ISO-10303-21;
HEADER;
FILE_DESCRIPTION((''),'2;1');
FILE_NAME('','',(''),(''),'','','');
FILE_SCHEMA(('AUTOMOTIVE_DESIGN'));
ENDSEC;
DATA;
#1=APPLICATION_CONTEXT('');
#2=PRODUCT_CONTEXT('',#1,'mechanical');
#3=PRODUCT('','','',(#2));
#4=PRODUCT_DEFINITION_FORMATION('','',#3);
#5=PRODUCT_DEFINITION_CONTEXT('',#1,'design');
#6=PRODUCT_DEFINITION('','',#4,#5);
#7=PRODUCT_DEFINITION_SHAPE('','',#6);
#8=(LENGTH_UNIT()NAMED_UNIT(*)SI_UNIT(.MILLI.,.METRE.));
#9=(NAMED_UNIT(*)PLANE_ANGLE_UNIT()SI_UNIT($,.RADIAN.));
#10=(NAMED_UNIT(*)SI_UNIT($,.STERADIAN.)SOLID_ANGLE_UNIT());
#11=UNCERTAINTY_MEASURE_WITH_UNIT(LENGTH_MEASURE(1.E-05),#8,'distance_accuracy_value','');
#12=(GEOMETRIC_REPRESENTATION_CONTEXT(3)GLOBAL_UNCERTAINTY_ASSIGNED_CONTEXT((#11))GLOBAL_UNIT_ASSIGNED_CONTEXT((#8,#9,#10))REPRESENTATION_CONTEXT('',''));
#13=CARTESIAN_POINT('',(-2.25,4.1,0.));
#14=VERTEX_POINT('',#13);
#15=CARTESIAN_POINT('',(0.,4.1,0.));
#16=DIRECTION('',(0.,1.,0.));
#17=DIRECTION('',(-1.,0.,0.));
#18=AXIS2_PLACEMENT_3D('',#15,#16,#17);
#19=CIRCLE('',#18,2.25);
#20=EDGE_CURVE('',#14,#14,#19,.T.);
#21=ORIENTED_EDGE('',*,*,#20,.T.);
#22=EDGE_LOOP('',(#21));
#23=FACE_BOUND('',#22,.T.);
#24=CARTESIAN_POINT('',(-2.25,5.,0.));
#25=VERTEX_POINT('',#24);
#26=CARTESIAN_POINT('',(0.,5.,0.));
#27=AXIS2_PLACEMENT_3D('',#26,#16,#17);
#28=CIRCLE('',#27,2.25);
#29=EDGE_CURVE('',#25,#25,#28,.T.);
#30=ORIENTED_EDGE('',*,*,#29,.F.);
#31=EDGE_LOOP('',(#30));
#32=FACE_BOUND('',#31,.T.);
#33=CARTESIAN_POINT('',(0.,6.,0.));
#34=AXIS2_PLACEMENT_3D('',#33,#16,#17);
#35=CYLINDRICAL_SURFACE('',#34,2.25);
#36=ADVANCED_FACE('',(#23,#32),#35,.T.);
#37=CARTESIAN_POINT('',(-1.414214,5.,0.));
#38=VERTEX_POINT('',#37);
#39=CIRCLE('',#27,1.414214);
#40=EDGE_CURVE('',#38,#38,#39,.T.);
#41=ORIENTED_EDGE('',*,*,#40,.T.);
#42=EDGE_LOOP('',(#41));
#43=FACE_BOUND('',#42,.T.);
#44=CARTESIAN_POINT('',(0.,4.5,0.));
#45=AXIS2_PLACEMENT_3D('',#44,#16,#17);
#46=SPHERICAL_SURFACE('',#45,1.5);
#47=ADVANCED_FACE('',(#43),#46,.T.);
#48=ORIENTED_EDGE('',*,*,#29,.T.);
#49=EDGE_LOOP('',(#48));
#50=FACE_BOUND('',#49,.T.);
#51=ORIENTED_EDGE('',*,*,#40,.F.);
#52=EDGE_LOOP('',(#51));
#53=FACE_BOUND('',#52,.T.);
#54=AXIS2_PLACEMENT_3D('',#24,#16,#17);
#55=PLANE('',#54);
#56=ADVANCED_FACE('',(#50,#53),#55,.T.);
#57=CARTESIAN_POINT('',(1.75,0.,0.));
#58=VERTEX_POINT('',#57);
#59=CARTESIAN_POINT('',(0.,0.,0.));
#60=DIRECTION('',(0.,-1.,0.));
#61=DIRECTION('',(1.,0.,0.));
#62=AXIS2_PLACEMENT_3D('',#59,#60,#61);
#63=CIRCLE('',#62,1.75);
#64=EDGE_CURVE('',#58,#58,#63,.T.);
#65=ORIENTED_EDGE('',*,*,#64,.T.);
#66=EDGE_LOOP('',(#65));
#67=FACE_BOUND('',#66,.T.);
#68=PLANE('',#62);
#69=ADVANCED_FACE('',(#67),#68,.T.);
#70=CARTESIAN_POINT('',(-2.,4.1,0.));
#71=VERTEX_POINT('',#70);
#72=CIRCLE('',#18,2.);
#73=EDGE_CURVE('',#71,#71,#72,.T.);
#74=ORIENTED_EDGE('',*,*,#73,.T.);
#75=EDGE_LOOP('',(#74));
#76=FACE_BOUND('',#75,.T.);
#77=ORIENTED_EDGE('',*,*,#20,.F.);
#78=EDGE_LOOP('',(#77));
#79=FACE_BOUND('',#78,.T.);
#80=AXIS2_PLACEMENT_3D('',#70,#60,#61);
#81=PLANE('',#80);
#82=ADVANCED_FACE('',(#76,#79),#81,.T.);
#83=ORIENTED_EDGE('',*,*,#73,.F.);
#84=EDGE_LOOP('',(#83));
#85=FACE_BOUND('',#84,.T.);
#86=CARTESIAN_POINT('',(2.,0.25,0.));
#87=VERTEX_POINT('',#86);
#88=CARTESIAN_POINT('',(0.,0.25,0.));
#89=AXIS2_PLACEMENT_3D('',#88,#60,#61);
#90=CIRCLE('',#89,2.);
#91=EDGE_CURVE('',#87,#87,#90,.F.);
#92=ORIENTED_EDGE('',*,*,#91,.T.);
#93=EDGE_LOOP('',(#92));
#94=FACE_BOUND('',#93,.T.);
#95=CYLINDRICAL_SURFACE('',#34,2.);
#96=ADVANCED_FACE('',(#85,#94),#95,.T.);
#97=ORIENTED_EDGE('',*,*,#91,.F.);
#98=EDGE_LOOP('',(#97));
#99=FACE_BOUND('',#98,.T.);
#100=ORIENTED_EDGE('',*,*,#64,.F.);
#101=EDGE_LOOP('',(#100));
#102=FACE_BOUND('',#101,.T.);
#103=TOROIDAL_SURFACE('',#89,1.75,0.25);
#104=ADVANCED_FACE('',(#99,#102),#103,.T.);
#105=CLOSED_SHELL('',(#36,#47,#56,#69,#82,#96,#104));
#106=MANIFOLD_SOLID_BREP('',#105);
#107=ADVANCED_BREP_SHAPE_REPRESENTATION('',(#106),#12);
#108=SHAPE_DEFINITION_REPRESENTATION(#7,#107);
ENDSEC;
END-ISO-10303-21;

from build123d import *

# Parameters (mm, degrees)
FILLET1_R = 0.25


with BuildPart() as part:
    # Sketch1 → Revolve1 (revolve)
    with BuildSketch(Plane.XY):
        with BuildLine():
            Line((0, 0), (-2, 0))
            Line((-2, 0), (-2, 4.1))
            Line((-2, 4.1), (-2.25, 4.1))
            Line((-2.25, 4.1), (-2.25, 5))
            Line((-2.25, 5), (-1.414213562, 5))
            ThreePointArc((-1.414213562, 5), (-0.866025404, 5.724744871), (0, 6))
            Line((0, 6), (0, 0))
        make_face()
    revolve(axis=Axis((0, 6, 0), (0, -1, 0)))

    # Fillet1
    fillet1_edges = [part.edges().sort_by_distance(p)[0] for p in [
        (2, 0, 0),
    ]]
    fillet(fillet1_edges, radius=FILLET1_R)


solid = part.part
